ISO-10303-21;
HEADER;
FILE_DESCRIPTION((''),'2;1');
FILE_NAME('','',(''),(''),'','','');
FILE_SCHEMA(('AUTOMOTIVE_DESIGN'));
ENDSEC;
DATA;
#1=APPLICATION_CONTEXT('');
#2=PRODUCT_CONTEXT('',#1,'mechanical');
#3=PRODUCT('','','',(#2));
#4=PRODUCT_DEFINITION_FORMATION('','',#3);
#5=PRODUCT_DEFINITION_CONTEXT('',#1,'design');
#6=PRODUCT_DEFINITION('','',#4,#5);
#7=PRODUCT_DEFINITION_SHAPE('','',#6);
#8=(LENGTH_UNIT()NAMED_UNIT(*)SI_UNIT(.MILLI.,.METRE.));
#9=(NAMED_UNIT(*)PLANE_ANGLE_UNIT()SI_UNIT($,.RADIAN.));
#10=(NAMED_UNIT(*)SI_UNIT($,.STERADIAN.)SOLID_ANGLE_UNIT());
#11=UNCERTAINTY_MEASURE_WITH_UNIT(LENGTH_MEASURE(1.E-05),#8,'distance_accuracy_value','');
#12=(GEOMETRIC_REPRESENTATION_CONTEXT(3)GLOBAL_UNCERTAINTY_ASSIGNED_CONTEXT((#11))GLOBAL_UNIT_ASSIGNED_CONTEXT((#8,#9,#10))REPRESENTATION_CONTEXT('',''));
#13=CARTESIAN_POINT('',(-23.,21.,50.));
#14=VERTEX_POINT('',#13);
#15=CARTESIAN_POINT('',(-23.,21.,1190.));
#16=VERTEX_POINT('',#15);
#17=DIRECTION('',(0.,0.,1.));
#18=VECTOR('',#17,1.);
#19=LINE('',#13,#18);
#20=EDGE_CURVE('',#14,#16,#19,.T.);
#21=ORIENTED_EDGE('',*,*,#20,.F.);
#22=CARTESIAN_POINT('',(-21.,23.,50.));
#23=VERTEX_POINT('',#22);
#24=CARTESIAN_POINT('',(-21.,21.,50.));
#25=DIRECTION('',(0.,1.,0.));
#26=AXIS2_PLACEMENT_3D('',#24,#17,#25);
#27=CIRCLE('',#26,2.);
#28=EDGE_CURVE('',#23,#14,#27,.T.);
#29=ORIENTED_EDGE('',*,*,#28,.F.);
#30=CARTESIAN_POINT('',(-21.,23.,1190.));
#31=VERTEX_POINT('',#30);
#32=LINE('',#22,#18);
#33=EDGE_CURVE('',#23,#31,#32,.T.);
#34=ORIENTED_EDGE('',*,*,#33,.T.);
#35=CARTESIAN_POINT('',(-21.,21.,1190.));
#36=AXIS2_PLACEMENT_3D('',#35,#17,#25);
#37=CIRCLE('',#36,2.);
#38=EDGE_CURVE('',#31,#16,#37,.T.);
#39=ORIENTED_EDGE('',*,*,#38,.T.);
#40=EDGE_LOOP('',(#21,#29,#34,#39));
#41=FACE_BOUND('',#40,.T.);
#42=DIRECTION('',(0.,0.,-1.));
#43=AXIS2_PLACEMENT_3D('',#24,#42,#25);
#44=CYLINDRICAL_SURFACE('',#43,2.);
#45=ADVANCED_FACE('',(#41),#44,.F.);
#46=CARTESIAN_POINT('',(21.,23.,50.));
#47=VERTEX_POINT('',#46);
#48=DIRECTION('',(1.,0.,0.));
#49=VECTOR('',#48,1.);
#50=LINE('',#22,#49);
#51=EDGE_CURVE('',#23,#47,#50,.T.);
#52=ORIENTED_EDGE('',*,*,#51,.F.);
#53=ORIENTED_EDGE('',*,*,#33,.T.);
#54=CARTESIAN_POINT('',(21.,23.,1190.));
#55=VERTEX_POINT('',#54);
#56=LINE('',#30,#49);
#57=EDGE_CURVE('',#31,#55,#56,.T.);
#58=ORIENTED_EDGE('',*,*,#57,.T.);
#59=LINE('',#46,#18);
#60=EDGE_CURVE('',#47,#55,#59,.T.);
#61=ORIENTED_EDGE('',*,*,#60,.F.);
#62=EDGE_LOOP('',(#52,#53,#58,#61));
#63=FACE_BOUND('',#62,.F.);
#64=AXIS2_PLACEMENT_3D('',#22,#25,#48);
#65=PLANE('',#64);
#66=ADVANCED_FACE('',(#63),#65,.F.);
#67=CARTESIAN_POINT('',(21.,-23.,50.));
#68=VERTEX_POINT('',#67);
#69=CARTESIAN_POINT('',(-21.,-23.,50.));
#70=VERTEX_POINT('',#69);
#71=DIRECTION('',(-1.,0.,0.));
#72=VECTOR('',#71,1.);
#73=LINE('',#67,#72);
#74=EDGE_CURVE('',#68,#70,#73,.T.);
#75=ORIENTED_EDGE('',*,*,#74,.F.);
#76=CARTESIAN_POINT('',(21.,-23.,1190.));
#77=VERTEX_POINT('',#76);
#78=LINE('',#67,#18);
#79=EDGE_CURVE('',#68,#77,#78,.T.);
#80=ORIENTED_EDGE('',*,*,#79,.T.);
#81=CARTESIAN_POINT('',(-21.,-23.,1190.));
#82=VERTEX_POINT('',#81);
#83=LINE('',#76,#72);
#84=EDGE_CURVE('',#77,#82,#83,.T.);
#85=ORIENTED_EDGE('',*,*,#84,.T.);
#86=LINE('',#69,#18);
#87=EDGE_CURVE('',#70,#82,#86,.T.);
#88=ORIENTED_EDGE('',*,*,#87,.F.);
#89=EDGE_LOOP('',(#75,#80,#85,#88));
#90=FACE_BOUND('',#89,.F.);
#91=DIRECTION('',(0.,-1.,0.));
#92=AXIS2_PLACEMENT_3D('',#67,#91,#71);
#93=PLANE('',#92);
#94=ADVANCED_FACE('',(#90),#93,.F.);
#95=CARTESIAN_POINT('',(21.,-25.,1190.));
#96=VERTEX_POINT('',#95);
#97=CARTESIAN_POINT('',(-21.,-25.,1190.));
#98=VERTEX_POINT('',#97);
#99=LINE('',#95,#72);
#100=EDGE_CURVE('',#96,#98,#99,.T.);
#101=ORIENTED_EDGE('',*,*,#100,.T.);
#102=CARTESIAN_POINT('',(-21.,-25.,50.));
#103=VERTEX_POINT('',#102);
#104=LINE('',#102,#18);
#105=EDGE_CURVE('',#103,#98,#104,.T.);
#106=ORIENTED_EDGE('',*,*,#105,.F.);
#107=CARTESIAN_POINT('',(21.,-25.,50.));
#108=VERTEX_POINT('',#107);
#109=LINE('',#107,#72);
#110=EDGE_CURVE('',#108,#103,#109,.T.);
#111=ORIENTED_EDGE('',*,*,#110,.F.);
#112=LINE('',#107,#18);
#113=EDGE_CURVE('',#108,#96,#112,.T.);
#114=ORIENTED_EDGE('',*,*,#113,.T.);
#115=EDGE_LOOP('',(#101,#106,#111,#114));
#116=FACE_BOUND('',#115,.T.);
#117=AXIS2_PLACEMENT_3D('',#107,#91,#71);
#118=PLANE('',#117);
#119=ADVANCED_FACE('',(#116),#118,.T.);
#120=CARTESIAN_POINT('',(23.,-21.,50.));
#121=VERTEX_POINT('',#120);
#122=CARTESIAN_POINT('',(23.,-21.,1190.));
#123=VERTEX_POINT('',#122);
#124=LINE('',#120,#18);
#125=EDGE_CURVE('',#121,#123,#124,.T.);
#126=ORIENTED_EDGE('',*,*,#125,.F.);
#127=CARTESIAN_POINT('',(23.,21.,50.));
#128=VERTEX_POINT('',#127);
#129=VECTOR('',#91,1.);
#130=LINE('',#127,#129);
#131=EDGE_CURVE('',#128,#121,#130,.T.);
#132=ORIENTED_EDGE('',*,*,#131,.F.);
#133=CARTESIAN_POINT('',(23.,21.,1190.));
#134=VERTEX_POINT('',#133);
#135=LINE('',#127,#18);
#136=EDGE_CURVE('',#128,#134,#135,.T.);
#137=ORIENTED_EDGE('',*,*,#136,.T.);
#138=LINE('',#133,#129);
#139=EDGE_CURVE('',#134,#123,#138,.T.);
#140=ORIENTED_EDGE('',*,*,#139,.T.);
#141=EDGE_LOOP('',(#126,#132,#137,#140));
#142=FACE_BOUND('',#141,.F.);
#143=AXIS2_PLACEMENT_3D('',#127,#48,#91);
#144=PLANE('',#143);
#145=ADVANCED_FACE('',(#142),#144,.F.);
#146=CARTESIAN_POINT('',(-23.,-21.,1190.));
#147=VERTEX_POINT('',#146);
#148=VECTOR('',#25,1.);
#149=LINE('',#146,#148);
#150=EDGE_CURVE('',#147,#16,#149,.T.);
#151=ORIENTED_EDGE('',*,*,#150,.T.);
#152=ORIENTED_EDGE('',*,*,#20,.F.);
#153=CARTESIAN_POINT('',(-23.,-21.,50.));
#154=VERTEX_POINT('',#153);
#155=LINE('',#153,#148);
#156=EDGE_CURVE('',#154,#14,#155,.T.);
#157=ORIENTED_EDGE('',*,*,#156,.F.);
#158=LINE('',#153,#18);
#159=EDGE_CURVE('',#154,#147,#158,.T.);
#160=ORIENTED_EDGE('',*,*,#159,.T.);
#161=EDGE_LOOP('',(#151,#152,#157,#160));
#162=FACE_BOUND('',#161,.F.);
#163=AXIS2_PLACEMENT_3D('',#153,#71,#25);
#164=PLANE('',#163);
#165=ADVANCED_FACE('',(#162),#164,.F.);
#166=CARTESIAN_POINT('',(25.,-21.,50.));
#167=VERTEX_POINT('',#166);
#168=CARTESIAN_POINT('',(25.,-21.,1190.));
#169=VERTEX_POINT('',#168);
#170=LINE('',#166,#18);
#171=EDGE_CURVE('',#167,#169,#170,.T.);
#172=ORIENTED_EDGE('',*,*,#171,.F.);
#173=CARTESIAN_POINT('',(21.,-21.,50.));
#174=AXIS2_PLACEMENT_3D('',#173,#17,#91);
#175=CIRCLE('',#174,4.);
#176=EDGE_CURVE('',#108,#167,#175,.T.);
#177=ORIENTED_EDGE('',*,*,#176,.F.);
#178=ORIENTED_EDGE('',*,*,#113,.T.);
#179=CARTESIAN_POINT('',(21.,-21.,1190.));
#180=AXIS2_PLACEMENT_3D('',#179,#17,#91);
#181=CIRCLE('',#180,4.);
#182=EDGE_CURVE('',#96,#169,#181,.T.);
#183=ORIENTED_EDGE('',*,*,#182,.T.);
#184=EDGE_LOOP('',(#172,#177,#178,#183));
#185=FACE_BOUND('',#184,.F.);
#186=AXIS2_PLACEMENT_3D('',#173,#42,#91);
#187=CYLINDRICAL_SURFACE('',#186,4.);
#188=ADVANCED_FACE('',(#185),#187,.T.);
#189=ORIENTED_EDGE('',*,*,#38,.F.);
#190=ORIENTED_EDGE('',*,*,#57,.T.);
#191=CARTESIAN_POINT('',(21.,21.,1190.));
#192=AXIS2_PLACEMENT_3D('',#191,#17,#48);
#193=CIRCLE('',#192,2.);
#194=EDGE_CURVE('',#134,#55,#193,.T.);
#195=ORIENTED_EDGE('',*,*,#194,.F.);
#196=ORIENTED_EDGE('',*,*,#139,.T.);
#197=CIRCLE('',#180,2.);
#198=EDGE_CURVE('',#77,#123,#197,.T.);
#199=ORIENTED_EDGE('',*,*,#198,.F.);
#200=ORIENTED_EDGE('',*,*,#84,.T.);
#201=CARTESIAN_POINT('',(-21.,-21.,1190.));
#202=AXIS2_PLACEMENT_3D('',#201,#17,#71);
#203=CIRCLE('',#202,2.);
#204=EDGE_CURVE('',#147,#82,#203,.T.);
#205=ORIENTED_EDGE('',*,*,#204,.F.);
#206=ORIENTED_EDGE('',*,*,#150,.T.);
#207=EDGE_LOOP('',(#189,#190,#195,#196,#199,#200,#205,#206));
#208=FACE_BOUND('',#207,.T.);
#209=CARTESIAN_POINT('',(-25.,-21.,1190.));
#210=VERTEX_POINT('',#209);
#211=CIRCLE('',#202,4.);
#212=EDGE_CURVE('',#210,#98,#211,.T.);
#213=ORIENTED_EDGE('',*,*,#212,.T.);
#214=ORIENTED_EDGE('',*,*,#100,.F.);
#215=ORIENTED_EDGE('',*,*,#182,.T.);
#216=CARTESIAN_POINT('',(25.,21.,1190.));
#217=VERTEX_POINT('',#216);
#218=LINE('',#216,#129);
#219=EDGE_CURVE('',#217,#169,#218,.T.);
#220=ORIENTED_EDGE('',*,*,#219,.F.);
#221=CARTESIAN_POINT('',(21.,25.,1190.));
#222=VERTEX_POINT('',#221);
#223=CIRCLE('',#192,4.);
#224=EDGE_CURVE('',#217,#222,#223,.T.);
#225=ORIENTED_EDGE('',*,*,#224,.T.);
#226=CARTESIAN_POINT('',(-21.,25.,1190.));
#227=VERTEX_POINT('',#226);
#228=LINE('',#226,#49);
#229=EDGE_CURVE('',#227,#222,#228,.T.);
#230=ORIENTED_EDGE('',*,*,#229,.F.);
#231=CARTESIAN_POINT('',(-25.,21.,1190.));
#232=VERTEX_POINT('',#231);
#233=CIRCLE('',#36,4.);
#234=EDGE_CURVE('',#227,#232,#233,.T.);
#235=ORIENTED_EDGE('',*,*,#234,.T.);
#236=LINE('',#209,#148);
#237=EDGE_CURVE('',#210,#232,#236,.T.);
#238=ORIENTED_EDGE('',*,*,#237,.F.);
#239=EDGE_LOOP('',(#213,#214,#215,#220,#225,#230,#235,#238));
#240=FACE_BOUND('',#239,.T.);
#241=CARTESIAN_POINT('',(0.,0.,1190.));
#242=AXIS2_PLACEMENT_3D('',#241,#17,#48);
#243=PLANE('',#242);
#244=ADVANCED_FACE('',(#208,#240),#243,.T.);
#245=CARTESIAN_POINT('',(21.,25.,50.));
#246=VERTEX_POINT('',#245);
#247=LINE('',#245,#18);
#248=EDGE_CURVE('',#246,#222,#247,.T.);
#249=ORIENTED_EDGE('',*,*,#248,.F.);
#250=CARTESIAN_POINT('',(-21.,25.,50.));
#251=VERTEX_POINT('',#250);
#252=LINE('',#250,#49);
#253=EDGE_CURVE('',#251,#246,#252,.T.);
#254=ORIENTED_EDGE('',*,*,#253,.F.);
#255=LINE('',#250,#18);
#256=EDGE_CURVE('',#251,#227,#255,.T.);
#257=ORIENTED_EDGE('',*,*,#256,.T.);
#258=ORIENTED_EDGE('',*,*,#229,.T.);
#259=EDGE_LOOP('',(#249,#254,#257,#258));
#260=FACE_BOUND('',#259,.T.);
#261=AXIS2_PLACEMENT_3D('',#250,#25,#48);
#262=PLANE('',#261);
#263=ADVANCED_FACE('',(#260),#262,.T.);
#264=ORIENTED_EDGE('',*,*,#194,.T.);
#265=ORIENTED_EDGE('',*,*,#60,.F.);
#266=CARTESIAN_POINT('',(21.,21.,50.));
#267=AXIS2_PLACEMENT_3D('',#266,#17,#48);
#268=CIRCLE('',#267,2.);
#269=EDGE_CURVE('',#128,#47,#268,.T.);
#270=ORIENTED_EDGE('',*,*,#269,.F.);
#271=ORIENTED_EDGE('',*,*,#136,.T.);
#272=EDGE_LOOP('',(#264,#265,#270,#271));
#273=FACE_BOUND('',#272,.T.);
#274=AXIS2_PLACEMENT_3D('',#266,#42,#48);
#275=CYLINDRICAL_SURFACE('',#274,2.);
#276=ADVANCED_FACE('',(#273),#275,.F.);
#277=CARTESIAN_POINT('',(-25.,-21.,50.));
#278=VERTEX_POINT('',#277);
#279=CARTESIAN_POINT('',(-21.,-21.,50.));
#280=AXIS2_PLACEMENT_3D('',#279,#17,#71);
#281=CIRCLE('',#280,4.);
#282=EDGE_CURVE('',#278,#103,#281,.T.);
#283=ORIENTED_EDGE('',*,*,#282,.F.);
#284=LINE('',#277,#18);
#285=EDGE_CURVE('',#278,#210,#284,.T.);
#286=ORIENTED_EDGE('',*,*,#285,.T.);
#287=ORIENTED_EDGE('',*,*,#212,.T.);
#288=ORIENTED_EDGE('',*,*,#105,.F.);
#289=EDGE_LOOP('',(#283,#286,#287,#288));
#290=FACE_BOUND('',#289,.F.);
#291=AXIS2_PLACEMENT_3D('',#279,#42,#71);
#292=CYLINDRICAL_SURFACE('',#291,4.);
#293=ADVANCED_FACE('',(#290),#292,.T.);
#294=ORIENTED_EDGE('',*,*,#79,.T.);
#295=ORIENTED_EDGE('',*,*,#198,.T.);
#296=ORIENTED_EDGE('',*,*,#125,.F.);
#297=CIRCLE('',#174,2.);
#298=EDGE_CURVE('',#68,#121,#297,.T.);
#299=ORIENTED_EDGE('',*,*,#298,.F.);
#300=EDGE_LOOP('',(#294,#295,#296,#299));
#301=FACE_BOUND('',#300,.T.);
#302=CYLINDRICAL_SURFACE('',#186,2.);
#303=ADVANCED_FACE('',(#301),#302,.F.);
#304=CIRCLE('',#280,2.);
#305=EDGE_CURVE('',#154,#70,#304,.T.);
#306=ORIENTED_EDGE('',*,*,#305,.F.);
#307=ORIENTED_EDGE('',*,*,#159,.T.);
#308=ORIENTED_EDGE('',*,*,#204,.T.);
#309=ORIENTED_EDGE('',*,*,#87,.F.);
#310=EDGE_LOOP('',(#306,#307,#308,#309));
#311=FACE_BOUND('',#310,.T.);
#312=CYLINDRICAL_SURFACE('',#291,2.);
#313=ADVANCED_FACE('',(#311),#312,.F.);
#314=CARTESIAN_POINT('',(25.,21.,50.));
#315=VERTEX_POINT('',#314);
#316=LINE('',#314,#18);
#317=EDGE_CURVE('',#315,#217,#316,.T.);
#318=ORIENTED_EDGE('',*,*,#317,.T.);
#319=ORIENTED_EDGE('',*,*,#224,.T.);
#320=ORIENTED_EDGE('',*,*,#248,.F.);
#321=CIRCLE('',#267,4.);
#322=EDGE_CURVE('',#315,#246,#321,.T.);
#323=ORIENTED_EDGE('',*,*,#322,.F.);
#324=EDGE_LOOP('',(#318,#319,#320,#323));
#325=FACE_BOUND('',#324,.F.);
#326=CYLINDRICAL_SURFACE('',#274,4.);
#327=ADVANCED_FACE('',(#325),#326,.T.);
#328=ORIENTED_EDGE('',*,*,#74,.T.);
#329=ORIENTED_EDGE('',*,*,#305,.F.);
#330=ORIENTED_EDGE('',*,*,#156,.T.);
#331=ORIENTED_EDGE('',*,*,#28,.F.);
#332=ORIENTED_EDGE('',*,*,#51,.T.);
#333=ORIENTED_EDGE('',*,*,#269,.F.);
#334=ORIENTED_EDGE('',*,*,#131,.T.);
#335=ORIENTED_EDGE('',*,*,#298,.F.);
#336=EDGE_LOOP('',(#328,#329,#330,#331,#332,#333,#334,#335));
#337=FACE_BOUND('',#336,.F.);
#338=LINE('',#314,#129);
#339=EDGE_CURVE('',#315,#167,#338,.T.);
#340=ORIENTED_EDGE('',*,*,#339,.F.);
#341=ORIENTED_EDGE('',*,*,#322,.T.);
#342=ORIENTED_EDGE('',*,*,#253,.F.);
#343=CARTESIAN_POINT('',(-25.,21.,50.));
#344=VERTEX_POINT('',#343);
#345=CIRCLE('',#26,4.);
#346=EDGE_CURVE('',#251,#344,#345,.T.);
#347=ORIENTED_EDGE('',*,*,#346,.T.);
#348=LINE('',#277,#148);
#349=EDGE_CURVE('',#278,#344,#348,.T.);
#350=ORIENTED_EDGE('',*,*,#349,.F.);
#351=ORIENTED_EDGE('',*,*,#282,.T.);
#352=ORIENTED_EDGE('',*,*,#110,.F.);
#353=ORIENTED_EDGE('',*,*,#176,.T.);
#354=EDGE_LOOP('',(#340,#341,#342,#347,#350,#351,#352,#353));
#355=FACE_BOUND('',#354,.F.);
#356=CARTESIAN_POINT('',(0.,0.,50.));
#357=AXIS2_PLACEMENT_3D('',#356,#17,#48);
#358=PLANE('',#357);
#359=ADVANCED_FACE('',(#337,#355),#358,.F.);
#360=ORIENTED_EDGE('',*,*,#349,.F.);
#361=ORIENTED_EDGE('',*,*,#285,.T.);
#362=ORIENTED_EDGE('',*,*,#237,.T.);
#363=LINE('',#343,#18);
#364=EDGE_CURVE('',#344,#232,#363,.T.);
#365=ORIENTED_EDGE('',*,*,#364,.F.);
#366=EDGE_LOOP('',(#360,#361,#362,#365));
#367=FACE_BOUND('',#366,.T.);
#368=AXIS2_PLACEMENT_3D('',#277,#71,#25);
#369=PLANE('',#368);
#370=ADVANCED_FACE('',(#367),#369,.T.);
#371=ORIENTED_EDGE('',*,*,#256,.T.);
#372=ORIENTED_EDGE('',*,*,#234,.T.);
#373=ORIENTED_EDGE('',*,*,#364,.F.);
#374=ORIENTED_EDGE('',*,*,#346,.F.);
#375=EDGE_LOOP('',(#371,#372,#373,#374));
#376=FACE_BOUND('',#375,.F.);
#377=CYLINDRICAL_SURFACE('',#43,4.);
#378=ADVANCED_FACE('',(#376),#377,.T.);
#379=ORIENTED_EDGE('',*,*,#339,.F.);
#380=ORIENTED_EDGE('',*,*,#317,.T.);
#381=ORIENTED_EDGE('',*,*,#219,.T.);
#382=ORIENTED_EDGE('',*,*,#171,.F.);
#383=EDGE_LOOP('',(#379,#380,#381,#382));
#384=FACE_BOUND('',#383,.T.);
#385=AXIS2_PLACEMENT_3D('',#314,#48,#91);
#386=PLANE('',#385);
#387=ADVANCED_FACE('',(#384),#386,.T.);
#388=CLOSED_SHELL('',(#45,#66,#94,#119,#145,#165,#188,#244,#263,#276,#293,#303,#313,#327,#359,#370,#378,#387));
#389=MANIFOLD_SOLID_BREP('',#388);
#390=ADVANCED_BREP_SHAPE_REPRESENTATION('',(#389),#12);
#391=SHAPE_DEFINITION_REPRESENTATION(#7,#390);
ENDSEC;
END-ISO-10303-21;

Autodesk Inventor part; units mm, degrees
ref_plane "YZ Plane" through (0, 0, 0) normal (1, 0, 0) x (0, 1, 0)
ref_plane "Start Plane" through (0, 0, 50) normal (0, 0, 1) x (1, 0, 0)
ref_plane "End Plane" through (0, 0, 1190) normal (0, 0, 1) x (1, 0, 0)
sketch "Sketch" plane through (0, 0, 0) normal (0, 0, 1) x (1, 0, 0)
  line L0 (-25, -21) -> (-25, 21)
  line L1 (-21, 25) -> (21, 25)
  line L2 (25, 21) -> (25, -21)
  line L3 (21, -25) -> (-21, -25)
  arc A0 (-25, -21) -> (-21, -25) centre (-21, -21) ccw
  arc A1 (25, 21) -> (21, 25) centre (21, 21) ccw
  arc A2 (-21, 25) -> (-25, 21) centre (-21, 21) ccw
  arc A3 (21, -25) -> (25, -21) centre (21, -21) ccw
  arc A4 (-21, 23) -> (-23, 21) centre (-21, 21) ccw
  line L4 (-21, 23) -> (21, 23)
  arc A5 (23, 21) -> (21, 23) centre (21, 21) ccw
  line L5 (23, 21) -> (23, -21)
  arc A6 (21, -23) -> (23, -21) centre (21, -21) ccw
  line L6 (21, -23) -> (-21, -23)
  arc A7 (-23, -21) -> (-21, -23) centre (-21, -21) ccw
  line L7 (-23, -21) -> (-23, 21)
  line L8 (0, 36.1598) -> (0, -36.1598) construction
  line L9 (-36.1598, 0) -> (36.1598, 0) construction
  dimension "d7" = 4
  dimension "d9" = 50
  dimension "d11" = 50
  dimension "d12" = 2
  dimension "d15" = 25
  dimension "d16" = 25
extrude "Body" add sketch "Sketch" along normal up to surface (1140 mm away) from surface at 50
sketch "Sketch3" plane through (0, 0, 0) normal (0, 0, 1) x (1, 0, 0)
  line L0 (0, 0) -> (10, 0)
ref_plane "Work Plane3" through (0, 0, 0) normal (0, -1, 0) x (1, 0, 0)
sketch "Sketch4" plane through (0, 0, 0) normal (0, -1, 0) x (1, 0, 0)
  line L0 (-2, 50) -> (12, 50) projected
  line L1 (-2, 1190) -> (12, 1190) projected
  dimension "d18" = 1140
equation "\"d7\" = G_IR"
equation "\"d9\" = G_W"
equation "\"d11\" = G_H"
equation "\"d12\" = G_T"
equation "\"d15\" = 0.5 * d9"
equation "\"d16\" = 0.5 * d11"
equation "\"d3\" = G_L"
equation "\"G_W\" = 50"
equation "\"G_H\" = 50"
equation "\"G_T\" = 2"
equation "\"G_IR\" = 4"
equation "\"G_L\" = d18"
properties part number "ISO 4019 - 50x50x2 - 1140" material "Steel, Mild"
